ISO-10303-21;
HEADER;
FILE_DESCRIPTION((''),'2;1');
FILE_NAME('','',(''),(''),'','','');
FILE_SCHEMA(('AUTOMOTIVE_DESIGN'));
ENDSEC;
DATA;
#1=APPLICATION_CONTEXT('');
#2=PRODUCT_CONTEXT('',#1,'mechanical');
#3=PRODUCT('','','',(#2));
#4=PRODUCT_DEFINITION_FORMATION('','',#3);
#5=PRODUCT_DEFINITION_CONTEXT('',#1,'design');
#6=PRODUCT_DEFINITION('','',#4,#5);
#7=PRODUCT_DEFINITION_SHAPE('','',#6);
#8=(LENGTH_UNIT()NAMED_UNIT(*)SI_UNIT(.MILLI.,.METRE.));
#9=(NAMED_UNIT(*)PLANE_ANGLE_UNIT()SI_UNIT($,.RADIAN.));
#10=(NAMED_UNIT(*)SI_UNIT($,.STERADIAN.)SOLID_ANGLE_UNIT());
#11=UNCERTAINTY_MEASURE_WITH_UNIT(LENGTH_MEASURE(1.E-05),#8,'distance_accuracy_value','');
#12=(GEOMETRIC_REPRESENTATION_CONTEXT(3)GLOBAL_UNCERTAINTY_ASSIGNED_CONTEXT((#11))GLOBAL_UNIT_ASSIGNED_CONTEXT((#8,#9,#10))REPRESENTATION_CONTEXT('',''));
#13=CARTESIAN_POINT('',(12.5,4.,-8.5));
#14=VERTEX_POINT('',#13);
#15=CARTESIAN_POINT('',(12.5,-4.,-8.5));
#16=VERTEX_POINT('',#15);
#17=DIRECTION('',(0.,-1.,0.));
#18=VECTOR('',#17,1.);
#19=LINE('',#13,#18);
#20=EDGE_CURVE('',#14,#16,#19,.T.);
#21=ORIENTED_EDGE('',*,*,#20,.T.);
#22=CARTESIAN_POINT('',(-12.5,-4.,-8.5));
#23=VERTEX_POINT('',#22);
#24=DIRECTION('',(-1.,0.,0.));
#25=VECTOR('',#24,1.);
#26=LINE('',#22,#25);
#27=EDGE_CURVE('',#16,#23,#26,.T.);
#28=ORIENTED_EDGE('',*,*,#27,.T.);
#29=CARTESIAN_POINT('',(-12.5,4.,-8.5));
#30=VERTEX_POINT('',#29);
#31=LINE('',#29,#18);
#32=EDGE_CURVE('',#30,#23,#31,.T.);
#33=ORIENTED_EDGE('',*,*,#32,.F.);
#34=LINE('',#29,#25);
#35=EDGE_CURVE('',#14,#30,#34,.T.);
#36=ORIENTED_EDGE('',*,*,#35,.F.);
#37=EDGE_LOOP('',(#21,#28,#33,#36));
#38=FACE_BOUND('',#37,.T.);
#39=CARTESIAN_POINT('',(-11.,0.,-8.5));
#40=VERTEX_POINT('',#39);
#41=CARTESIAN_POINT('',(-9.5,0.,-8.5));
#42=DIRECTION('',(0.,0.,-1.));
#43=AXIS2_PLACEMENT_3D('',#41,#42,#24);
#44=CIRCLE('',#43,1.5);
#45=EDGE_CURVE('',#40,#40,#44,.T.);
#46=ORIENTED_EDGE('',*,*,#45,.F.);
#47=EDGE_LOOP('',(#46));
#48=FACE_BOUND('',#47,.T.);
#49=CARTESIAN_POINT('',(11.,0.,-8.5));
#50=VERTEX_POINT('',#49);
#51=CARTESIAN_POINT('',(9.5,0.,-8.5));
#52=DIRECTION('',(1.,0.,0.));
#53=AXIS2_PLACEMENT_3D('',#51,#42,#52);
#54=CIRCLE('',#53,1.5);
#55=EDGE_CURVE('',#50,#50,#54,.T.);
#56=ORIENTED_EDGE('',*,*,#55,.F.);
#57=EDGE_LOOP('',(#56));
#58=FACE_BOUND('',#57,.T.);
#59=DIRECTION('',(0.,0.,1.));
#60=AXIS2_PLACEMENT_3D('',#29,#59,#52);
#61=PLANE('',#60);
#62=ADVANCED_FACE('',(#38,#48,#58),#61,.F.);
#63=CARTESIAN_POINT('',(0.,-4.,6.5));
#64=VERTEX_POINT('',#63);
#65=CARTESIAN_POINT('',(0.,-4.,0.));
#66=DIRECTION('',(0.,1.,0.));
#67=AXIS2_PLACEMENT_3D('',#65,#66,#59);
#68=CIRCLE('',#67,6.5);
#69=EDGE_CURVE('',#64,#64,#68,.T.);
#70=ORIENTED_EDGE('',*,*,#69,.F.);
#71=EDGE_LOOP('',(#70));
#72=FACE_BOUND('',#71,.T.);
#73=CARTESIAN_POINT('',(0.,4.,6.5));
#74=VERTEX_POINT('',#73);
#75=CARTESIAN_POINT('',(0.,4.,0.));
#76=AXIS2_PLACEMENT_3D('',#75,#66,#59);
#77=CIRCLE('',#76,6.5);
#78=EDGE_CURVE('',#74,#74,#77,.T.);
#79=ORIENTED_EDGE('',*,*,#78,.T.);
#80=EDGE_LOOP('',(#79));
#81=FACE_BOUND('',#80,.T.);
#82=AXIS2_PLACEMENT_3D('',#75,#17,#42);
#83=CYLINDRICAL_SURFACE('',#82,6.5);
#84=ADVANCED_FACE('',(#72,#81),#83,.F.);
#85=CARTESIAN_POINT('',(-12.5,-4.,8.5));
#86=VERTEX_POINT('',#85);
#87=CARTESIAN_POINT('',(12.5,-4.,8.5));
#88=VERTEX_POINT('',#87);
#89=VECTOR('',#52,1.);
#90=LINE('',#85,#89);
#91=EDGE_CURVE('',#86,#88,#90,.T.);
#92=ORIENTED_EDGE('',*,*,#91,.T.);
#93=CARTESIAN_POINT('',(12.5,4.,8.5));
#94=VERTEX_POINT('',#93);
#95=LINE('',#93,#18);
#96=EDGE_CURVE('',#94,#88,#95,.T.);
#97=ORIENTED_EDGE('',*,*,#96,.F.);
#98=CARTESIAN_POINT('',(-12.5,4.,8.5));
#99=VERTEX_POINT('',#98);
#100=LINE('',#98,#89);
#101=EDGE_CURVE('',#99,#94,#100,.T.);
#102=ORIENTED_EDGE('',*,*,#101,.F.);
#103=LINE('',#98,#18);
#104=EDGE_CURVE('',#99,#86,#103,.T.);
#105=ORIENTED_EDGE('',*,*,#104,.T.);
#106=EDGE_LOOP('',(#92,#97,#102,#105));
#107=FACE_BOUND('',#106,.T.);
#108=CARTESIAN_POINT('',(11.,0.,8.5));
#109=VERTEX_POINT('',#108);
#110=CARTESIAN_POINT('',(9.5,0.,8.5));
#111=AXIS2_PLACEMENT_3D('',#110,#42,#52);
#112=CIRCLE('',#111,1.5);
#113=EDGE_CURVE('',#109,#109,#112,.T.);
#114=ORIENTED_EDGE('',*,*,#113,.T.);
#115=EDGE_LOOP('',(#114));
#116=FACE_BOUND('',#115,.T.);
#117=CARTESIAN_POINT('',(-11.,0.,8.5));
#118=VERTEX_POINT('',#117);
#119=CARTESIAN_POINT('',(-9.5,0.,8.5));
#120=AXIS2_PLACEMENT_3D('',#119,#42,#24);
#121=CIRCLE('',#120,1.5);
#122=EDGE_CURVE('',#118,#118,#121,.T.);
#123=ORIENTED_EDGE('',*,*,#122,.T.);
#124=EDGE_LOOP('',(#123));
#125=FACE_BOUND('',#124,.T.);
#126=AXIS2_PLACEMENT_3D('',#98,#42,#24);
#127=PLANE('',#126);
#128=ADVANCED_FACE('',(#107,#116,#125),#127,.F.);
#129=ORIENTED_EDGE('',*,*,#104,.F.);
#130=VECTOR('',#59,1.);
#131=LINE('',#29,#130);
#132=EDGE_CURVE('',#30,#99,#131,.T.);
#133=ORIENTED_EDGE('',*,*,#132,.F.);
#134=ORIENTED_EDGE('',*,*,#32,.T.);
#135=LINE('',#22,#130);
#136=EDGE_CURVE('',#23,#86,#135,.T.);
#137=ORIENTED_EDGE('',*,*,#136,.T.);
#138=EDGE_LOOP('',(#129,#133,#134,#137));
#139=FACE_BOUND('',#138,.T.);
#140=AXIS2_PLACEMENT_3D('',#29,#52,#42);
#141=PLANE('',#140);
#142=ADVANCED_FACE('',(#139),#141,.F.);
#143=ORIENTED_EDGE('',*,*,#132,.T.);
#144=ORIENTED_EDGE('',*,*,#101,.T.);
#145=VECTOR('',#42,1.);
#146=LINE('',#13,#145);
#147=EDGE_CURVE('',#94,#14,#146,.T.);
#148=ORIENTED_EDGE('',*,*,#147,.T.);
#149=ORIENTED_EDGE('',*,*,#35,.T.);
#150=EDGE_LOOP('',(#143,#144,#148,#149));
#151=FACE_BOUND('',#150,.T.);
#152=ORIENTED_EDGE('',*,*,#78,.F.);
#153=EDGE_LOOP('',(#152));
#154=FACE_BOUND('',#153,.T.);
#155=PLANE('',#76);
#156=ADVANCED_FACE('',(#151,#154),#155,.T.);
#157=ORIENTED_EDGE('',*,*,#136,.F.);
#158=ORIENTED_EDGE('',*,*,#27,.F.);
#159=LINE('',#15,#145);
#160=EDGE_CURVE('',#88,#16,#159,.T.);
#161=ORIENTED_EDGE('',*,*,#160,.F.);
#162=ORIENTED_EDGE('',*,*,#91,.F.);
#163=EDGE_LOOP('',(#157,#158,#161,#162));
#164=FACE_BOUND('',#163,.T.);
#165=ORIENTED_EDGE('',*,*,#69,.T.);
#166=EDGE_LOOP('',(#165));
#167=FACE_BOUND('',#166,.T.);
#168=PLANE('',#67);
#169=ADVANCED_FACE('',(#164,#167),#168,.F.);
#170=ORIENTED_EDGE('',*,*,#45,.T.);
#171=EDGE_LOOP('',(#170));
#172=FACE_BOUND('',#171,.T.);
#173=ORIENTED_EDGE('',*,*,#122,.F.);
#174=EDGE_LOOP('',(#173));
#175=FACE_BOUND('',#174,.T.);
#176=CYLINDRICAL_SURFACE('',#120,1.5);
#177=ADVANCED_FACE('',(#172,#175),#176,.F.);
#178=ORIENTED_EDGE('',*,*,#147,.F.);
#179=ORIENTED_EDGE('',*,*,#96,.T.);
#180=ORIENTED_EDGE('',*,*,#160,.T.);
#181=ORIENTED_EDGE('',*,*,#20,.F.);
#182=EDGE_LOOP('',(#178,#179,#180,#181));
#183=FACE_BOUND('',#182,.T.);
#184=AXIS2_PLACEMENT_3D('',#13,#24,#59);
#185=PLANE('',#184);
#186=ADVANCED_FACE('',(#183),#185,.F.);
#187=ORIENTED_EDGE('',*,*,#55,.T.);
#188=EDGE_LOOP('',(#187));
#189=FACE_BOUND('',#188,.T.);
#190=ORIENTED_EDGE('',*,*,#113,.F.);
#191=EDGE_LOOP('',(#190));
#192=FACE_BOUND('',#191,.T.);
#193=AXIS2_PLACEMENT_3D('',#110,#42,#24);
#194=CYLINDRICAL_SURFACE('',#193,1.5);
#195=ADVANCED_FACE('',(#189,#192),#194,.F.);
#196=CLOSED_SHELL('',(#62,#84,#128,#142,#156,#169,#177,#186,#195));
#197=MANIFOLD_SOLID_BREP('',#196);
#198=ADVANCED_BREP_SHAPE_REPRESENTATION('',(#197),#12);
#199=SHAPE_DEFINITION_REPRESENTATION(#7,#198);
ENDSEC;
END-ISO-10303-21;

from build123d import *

# Parameters (mm, degrees)
SKETCH_1_W          = 25
SKETCH_1_H          = 17
SKETCH_1_R          = 6.5
EXTRUDE_1_DEPTH     = 4
SKETCH_2_R          = 1.5
CUT_EXTRUDE_1_DEPTH = 22.476731595


with BuildPart() as part:
    # 草图1 → 凸台-拉伸1 (new, symmetric)
    with BuildSketch(Plane(origin=(0, 0, 0), x_dir=(1, 0, 0), z_dir=(0, 1, 0))):
        Rectangle(SKETCH_1_W, SKETCH_1_H)
        with Locations(Location((0, 0, 0), (0, 0, 270))):
            Circle(SKETCH_1_R, mode=Mode.SUBTRACT)
    extrude(amount=EXTRUDE_1_DEPTH, both=True)

    # 草图2 → 切除-拉伸1 (cut, through all)
    with BuildSketch(Plane(origin=(0, 0, -8.5), x_dir=(-1, 0, 0), z_dir=(0, 0, -1))):
        with Locations((9.5, 0)):
            Circle(SKETCH_2_R)
        with Locations(Location((-9.5, 0, 0), (0, 0, 180))):
            Circle(SKETCH_2_R)
    extrude(amount=-CUT_EXTRUDE_1_DEPTH, mode=Mode.SUBTRACT)


solid = part.part
